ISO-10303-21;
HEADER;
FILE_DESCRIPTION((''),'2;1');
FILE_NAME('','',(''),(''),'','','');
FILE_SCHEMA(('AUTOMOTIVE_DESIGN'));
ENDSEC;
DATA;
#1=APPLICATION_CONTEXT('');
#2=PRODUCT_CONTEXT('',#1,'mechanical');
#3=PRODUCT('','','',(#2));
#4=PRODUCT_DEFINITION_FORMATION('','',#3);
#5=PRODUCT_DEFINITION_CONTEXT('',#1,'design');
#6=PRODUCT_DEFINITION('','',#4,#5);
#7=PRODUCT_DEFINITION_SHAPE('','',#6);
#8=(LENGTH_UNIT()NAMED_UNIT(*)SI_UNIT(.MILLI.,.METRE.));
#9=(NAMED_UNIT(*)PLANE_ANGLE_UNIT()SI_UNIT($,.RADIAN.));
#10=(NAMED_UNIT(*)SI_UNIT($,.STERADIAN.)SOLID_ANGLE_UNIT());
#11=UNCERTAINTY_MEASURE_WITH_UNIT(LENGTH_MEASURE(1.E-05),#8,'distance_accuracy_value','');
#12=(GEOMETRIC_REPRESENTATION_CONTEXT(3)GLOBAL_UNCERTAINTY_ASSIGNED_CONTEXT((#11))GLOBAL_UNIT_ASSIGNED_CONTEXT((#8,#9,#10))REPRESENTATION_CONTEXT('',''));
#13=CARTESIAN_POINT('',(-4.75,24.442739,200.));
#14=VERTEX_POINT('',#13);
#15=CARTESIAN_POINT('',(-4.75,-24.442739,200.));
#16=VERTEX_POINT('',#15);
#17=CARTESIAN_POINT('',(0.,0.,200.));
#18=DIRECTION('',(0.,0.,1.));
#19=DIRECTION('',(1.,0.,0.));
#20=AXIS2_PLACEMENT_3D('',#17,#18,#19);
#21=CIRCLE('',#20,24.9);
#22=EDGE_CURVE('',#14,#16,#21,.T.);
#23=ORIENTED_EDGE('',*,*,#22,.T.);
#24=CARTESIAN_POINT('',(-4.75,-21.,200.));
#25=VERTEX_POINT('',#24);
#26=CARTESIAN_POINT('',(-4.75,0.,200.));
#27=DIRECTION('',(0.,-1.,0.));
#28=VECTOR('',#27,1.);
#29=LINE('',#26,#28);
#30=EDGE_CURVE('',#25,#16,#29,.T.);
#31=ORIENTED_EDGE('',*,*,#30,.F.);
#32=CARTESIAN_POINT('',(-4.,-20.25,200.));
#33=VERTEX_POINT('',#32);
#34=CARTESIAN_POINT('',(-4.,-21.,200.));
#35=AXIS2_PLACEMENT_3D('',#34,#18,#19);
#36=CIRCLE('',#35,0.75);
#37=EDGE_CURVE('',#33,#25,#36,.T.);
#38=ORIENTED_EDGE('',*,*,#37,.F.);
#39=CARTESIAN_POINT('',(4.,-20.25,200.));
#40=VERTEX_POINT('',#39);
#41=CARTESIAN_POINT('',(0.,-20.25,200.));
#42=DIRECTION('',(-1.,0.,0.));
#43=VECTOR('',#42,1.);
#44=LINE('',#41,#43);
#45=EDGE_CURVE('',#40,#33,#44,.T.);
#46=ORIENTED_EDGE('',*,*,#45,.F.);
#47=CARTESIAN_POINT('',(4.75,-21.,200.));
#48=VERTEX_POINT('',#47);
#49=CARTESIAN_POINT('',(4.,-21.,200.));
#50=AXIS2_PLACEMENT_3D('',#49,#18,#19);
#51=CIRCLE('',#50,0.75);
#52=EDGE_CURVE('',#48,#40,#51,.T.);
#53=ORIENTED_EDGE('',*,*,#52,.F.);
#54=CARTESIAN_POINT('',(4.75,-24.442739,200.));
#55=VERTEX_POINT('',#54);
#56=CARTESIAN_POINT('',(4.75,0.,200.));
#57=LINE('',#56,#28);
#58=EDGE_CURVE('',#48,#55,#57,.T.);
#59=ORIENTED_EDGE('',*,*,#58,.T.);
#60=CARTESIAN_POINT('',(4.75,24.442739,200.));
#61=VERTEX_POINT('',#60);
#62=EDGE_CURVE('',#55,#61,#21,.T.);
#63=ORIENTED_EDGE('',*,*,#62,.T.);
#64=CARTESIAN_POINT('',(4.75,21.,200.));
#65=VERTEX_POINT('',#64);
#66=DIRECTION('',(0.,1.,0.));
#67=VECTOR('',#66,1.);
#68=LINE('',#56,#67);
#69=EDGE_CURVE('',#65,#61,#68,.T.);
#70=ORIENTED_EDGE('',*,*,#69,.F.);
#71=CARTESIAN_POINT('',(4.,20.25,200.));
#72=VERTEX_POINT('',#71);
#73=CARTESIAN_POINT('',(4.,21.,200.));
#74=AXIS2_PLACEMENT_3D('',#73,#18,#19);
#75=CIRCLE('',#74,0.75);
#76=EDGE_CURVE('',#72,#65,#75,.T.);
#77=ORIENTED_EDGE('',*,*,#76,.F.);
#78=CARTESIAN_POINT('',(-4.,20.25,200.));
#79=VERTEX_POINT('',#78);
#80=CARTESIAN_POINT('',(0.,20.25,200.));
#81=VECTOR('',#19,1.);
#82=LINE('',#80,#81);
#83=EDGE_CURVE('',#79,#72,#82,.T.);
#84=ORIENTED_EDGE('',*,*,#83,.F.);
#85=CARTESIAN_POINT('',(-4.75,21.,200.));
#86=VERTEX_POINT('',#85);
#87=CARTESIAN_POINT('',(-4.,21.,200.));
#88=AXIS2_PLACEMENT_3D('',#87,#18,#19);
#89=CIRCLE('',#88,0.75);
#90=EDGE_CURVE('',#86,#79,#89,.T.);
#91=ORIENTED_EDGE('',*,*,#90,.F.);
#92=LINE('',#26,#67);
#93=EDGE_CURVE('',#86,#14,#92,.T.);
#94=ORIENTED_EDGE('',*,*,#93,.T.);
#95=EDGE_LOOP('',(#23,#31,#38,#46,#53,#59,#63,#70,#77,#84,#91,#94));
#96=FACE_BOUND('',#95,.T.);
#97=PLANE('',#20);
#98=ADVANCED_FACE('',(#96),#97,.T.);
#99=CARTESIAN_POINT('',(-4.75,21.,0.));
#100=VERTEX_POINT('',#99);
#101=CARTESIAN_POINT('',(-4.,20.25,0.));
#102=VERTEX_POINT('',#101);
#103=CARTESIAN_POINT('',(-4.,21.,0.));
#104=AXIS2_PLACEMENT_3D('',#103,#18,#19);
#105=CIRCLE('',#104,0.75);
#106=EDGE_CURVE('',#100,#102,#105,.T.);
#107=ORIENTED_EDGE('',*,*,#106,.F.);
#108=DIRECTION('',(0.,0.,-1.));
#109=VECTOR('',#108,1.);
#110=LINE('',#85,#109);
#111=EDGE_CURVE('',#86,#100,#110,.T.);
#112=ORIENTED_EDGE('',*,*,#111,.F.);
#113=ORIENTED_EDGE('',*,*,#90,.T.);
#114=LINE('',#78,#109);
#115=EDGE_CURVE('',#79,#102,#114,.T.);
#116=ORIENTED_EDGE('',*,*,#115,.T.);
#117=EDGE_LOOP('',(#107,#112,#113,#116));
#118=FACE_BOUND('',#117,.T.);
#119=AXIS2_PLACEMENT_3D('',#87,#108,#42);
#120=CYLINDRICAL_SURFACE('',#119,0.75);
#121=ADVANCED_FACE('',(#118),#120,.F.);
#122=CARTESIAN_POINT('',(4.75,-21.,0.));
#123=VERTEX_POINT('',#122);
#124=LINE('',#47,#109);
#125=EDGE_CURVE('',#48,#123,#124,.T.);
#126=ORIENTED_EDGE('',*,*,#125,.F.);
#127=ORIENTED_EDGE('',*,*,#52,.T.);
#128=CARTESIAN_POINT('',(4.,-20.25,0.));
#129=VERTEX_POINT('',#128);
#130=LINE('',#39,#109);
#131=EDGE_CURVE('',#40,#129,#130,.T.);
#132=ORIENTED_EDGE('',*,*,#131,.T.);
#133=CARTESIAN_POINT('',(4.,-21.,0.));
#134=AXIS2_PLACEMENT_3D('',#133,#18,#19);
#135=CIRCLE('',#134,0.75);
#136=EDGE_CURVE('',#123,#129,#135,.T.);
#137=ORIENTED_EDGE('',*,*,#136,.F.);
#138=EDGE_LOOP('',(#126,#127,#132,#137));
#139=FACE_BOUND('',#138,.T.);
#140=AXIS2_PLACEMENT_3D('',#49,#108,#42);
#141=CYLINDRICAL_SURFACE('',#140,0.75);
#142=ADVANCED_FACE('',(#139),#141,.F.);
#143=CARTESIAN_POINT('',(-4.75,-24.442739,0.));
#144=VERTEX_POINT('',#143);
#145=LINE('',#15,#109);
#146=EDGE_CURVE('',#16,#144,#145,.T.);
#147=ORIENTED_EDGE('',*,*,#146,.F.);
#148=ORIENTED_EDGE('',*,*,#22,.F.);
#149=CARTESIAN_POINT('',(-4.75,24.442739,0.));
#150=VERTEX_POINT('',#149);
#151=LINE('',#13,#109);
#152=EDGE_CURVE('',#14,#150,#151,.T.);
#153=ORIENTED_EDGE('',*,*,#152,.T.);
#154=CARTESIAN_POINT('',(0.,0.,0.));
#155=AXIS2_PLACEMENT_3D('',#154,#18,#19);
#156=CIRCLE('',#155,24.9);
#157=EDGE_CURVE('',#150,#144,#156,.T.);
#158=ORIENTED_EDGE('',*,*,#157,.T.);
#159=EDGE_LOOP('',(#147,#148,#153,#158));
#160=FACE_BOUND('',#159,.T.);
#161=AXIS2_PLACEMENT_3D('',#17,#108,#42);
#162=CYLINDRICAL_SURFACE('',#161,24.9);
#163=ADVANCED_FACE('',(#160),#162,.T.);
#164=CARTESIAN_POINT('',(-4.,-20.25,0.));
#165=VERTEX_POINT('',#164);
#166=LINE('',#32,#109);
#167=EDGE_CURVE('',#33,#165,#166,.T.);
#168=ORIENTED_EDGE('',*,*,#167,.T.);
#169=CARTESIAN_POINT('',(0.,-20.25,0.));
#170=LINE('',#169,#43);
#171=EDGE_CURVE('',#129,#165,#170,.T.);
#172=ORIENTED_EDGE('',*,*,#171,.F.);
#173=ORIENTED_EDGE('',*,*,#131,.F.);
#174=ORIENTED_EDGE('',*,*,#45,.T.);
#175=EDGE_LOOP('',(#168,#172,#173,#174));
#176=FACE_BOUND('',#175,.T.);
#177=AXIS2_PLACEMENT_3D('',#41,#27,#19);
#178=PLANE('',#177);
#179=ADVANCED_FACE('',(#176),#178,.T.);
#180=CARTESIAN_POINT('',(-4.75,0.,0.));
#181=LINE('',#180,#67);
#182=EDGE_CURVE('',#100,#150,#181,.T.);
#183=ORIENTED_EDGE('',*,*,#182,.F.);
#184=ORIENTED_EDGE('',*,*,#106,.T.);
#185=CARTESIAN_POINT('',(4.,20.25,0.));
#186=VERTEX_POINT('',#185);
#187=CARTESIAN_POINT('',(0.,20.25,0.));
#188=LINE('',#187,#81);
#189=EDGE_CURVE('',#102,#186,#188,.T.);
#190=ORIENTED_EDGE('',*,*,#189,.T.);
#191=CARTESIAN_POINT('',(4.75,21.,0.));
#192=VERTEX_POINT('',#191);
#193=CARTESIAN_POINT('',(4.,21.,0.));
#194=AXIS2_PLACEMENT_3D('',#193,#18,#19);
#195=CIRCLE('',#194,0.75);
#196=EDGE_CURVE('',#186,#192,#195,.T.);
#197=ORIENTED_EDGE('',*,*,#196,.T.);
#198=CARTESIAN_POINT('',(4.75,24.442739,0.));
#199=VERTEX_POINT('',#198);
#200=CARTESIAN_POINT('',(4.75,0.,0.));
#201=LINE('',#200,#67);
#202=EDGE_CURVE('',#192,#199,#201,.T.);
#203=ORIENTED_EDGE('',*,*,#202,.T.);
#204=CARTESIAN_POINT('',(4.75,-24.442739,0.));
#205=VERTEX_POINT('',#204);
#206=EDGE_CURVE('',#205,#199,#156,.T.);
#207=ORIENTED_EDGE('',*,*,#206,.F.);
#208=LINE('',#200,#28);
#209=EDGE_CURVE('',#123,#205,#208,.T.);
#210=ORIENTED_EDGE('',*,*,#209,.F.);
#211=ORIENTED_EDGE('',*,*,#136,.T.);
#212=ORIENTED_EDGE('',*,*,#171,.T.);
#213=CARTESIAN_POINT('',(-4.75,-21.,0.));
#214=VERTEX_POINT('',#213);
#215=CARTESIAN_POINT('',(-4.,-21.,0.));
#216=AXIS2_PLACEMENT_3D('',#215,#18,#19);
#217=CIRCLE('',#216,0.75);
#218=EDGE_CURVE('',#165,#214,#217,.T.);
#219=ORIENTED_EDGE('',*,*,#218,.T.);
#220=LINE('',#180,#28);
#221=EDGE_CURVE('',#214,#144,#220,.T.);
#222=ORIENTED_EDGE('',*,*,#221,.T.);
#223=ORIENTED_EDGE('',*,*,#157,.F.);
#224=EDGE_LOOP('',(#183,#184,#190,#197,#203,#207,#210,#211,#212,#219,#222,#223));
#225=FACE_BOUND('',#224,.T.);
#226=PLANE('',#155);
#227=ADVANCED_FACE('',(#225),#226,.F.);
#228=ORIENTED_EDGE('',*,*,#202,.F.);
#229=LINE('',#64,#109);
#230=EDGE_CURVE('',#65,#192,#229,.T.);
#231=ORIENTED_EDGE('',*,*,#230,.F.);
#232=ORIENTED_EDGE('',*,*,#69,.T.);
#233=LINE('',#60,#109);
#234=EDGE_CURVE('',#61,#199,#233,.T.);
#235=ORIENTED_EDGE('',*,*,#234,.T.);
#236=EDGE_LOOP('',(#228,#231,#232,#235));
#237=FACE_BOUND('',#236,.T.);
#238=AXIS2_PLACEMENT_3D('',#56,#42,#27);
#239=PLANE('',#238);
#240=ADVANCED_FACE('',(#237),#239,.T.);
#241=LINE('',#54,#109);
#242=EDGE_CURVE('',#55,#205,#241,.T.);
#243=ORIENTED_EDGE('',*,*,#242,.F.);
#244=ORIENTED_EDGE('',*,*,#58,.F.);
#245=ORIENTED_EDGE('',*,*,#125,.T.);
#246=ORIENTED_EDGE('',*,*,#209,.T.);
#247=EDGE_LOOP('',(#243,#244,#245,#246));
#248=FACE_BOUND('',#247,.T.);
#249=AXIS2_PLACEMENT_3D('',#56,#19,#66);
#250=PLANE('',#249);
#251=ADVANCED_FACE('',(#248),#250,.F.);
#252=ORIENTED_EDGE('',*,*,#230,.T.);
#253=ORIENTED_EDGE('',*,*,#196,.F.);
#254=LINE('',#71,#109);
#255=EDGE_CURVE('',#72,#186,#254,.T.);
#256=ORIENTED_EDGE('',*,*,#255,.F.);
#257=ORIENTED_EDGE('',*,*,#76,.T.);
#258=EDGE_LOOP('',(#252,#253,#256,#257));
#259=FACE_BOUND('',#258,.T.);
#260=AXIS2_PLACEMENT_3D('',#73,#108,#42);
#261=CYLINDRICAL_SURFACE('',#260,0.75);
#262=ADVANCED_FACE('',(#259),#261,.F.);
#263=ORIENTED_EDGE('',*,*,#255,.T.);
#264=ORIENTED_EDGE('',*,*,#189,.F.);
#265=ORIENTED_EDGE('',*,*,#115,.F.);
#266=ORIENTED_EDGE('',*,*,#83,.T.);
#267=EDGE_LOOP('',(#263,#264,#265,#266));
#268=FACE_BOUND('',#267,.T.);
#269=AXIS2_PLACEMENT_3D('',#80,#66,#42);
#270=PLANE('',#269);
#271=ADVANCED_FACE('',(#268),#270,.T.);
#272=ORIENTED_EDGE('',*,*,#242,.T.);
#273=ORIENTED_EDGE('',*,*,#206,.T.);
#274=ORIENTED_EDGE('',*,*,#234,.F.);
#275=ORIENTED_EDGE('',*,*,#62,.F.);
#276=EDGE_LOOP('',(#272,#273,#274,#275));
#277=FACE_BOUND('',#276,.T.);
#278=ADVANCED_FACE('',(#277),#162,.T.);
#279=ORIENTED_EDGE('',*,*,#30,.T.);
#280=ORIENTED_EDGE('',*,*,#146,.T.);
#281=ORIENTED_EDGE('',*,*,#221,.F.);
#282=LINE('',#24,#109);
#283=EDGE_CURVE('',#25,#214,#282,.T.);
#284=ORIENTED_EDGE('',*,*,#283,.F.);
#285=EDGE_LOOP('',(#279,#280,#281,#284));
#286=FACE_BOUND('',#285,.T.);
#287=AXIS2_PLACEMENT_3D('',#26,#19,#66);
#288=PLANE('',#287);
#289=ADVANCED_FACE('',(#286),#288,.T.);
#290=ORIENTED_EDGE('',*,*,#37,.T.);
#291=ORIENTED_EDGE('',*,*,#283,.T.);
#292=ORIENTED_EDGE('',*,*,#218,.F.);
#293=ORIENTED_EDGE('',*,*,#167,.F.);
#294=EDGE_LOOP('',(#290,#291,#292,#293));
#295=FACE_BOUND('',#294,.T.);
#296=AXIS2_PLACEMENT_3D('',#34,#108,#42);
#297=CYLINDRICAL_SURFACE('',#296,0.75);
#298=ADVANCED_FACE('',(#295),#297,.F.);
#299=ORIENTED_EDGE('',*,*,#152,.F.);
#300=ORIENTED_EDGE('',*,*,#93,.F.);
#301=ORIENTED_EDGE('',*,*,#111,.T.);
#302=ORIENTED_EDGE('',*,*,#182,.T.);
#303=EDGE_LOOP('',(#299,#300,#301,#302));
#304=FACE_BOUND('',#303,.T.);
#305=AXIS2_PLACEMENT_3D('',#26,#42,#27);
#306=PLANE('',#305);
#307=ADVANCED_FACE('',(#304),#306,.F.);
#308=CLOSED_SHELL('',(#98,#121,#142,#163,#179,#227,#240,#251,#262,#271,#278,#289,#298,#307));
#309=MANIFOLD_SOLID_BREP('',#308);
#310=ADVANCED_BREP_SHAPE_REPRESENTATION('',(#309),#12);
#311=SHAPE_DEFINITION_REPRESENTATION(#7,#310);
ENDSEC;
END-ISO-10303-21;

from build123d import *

# Parameters (mm, degrees)
Y_KSEKLIK_EKSTR_ZYON3_DEPTH = 200


with BuildPart() as part:
    # Model → Yükseklik-Ekstrüzyon3 (new body)
    with BuildSketch(Plane.XY):
        with BuildLine():
            Line((-4.75, 21), (-4.75, 24.442739208))
            ThreePointArc((-4.75, 24.442739208), (-24.9, 0), (-4.75, -24.442739208))
            Line((-4.75, -24.442739208), (-4.75, -21))
            ThreePointArc((-4.75, -21), (-4.530330086, -20.469669914), (-4, -20.25))
            Line((-4, -20.25), (0, -20.25))
            Line((0, -20.25), (4, -20.25))
            ThreePointArc((4, -20.25), (4.530330086, -20.469669914), (4.75, -21))
            Line((4.75, -21), (4.75, -24.442739208))
            ThreePointArc((4.75, -24.442739208), (24.9, 0), (4.75, 24.442739208))
            Line((4.75, 24.442739208), (4.75, 21))
            ThreePointArc((4.75, 21), (4.530330086, 20.469669914), (4, 20.25))
            Line((4, 20.25), (0, 20.25))
            Line((0, 20.25), (-4, 20.25))
            ThreePointArc((-4, 20.25), (-4.530330086, 20.469669914), (-4.75, 21))
        make_face()
    extrude(amount=Y_KSEKLIK_EKSTR_ZYON3_DEPTH)


solid = part.part
